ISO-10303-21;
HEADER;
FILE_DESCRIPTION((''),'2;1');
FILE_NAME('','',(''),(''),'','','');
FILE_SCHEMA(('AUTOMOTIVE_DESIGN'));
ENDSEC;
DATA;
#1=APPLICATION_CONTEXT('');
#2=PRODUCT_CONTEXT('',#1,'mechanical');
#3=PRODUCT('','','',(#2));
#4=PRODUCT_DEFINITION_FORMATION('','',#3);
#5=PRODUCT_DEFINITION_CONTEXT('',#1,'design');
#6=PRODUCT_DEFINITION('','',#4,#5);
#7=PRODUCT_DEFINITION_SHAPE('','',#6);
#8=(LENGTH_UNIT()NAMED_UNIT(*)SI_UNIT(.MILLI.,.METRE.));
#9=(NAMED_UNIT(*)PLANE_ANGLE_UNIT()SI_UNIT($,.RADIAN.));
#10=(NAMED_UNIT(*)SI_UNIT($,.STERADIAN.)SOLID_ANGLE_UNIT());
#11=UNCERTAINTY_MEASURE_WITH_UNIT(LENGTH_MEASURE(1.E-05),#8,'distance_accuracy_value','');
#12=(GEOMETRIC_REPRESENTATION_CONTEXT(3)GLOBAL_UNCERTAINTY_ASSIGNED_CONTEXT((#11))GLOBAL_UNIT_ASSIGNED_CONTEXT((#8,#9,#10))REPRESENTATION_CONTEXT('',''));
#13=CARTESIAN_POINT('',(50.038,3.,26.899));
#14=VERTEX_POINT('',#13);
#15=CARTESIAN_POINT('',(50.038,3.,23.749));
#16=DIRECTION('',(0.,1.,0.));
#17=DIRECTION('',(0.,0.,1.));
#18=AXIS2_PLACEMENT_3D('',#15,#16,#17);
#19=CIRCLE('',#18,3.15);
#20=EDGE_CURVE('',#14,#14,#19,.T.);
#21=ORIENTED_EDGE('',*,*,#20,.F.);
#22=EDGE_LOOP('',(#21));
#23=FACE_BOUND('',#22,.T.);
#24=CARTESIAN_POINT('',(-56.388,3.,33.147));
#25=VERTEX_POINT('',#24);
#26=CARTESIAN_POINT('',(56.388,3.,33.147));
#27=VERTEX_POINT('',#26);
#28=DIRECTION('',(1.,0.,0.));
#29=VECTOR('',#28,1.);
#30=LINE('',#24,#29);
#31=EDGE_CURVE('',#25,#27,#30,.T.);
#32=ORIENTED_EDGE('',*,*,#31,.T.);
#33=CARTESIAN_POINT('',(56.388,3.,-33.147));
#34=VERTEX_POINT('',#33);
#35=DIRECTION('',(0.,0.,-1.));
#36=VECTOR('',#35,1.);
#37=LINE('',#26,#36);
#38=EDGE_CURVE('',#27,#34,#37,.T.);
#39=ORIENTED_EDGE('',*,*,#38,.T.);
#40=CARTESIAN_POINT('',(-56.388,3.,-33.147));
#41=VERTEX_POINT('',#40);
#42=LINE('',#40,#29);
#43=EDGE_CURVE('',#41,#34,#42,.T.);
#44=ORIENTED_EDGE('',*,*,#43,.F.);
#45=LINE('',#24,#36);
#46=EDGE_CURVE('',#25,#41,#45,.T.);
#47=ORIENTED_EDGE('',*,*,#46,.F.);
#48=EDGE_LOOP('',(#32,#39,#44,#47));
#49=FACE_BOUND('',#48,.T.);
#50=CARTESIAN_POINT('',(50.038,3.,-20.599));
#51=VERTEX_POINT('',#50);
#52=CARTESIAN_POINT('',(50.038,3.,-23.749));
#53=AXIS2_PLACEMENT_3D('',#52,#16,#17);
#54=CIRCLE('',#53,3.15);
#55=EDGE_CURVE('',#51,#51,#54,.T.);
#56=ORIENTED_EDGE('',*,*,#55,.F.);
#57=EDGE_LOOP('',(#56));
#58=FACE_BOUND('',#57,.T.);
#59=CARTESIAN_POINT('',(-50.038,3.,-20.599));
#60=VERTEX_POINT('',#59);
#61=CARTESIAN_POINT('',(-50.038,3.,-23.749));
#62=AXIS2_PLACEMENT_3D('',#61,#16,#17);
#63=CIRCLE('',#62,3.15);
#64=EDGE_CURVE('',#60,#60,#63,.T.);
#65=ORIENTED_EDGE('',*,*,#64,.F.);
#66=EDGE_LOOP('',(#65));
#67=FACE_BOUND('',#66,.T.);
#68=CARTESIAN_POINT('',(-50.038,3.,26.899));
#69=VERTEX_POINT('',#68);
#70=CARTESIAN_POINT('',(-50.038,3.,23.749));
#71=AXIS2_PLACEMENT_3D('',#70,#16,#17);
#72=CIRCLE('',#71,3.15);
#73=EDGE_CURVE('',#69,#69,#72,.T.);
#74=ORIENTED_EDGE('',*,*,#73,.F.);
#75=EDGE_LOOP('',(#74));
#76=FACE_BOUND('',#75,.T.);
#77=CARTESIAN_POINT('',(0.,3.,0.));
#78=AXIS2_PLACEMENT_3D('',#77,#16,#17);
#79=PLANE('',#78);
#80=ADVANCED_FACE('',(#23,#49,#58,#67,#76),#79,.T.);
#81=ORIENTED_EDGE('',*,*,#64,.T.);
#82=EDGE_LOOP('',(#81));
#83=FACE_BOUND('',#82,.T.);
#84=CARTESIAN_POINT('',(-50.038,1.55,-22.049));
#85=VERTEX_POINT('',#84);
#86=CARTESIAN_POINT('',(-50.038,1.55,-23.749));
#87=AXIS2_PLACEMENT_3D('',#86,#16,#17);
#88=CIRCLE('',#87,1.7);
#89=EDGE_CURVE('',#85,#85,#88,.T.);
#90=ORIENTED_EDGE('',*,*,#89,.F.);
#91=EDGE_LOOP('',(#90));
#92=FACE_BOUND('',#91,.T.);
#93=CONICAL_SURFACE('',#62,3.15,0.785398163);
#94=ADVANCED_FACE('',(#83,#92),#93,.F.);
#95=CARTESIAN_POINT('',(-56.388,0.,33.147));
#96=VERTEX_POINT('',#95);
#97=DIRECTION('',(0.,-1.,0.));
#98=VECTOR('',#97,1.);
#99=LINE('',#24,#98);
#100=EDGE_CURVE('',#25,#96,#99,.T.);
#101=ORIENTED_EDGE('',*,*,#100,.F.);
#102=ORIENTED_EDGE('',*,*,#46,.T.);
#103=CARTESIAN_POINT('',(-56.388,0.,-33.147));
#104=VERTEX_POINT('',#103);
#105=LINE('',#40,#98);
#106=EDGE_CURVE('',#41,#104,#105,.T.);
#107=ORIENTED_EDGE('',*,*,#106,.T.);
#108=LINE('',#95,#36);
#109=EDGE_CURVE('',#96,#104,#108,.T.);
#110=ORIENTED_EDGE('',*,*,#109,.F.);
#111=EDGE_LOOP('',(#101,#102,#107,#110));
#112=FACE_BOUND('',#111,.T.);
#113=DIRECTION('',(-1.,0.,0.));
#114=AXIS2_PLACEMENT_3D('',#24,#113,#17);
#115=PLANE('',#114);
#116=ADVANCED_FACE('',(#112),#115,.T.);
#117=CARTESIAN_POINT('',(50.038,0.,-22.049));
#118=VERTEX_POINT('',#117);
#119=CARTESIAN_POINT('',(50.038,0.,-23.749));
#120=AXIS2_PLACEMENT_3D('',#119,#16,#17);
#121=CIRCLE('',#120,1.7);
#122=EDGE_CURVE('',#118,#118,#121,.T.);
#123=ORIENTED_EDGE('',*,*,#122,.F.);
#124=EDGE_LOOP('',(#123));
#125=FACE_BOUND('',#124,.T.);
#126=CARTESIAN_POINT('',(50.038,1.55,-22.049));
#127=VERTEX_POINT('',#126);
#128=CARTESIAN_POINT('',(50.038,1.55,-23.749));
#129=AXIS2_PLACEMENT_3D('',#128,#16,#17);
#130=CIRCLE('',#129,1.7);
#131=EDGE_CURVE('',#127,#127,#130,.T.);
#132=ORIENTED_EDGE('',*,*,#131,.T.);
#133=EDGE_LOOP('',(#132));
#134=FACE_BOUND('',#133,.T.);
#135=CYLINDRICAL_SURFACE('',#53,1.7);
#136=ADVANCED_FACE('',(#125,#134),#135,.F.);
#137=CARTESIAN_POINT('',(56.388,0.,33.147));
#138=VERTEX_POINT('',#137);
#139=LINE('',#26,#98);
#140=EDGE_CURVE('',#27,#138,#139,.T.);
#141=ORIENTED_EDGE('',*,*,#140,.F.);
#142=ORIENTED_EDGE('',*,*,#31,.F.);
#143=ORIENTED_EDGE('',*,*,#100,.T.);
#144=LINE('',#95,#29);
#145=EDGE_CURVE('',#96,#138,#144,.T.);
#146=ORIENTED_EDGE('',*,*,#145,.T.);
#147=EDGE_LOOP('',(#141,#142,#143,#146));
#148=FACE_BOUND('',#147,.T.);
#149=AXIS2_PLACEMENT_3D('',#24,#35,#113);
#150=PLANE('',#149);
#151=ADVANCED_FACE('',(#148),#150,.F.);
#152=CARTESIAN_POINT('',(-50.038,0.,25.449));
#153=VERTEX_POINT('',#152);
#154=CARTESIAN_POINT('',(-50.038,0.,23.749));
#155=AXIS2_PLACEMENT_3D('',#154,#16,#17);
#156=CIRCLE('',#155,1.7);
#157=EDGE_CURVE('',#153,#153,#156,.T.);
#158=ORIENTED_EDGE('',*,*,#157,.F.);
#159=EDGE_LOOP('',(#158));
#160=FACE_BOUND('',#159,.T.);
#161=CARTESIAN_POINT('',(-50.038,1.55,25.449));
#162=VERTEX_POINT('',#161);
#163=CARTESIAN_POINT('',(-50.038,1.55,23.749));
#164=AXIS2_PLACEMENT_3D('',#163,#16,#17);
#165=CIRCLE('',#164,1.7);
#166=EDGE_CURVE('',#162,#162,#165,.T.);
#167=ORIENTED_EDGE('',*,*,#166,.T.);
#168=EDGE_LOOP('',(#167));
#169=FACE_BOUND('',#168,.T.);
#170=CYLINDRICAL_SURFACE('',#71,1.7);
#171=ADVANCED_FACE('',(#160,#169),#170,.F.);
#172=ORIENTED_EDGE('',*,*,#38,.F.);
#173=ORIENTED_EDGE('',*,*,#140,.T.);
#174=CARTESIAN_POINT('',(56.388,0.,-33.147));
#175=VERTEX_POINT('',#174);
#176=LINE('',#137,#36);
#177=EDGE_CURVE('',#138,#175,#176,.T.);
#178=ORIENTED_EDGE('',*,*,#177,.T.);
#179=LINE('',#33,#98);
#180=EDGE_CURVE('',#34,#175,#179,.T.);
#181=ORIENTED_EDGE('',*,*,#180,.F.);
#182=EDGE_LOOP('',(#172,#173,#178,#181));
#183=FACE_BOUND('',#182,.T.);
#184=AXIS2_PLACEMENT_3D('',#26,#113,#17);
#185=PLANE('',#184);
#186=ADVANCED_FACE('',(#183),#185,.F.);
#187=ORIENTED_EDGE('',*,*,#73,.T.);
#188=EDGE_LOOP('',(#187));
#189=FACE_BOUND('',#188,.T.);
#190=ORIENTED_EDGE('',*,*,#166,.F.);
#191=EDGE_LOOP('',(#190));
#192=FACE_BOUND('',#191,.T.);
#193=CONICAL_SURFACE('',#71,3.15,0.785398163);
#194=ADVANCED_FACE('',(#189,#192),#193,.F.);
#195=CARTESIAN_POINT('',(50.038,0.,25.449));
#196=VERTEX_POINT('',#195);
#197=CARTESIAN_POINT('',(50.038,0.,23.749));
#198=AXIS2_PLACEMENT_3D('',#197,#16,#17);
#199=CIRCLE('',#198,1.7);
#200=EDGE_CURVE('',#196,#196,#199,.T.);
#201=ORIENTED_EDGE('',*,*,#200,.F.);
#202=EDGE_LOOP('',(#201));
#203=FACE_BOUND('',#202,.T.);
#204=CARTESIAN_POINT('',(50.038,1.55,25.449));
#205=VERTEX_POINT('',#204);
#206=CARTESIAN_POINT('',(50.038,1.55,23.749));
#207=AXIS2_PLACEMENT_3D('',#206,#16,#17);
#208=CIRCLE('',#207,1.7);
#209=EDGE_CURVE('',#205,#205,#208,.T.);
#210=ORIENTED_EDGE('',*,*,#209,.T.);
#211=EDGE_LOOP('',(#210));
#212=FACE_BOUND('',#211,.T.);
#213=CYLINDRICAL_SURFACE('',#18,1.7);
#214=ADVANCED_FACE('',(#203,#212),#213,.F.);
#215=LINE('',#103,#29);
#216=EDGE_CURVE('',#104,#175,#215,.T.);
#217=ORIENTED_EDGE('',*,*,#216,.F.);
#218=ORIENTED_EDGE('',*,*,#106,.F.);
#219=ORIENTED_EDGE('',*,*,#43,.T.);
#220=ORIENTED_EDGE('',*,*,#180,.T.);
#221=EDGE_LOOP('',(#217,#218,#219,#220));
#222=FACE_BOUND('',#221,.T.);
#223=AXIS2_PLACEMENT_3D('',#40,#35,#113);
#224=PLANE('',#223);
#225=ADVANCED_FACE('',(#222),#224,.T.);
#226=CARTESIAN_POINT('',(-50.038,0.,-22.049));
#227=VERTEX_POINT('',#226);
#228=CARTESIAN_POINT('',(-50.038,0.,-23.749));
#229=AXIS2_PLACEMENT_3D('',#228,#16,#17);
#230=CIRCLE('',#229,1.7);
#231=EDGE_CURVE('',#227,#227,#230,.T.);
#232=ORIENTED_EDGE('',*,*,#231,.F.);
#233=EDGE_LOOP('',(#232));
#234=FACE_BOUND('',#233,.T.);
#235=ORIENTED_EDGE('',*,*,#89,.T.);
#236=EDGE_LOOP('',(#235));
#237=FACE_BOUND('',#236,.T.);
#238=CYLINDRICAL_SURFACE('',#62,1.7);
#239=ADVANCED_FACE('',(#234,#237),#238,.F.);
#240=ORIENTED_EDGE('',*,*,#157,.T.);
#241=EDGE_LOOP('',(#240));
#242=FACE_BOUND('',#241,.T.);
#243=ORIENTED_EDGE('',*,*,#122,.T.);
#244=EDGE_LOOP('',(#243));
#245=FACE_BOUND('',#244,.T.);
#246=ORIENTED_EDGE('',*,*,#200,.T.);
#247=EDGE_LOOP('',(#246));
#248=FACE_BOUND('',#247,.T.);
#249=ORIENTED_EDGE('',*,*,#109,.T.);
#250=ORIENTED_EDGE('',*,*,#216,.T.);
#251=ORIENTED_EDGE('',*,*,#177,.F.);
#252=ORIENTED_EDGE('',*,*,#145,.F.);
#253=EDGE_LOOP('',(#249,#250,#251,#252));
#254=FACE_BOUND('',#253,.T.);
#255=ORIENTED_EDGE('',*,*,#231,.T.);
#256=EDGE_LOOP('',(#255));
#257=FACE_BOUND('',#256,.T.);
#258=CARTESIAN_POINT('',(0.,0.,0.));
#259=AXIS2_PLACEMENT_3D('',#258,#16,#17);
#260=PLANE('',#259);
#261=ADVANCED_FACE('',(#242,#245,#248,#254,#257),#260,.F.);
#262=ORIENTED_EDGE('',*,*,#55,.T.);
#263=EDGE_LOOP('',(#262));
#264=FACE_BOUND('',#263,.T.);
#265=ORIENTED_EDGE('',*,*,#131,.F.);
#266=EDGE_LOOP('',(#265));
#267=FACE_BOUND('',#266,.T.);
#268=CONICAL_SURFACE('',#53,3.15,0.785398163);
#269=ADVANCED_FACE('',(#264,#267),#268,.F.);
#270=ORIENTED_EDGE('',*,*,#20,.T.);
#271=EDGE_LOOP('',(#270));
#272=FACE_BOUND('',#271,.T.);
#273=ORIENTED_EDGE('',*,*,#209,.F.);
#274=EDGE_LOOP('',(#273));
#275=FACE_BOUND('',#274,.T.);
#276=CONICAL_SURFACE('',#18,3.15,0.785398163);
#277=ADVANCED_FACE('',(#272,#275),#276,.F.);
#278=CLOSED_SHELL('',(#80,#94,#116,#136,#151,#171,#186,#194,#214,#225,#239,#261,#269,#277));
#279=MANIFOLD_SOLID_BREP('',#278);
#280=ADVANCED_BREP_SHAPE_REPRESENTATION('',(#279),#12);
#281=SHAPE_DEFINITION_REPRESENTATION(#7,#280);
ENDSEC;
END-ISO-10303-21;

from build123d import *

# Parameters (mm, degrees)
SKETCH1_W                                    = 112.776
SKETCH1_H                                    = 66.294
BOSS_EXTRUDE1_DEPTH                          = 3
CSK_FOR_M3_COUNTERSUNK_FLAT_HEAD_SCR_2_COUNT = 2
CSK_FOR_M3_COUNTERSUNK_FLAT_HEAD_SCR_2_PITCH = 47.498
CSK_FOR_M3_COUNTERSUNK_FLAT_HEAD_SCR_3_COUNT = 2
CSK_FOR_M3_COUNTERSUNK_FLAT_HEAD_SCR_3_PITCH = 110.77574545
CSK_FOR_M3_COUNTERSUNK_FLAT_HEAD_SCR_4_COUNT = 2
CSK_FOR_M3_COUNTERSUNK_FLAT_HEAD_SCR_4_PITCH = 100.076


with BuildPart() as part:
    # Sketch1 → Boss-Extrude1 (new body)
    with BuildSketch(Plane(origin=(0, 0, 0), x_dir=(1, 0, 0), z_dir=(0, 1, 0))):
        Rectangle(SKETCH1_W, SKETCH1_H)
    extrude(amount=BOSS_EXTRUDE1_DEPTH)

    # Sketch3 → CSK for M3 Countersunk Flat Head Screw1 (revolve, cut)
    with BuildSketch(Plane(origin=(-50.038, 3, -23.749), x_dir=(0, 0, 1), z_dir=(1, 0, 0))):
        Polygon((0, 0), (0, 3), (1.7, 3), (1.7, 1.45), (3.15, 0), align=None)
    csk_for_m3_countersunk_flat_head_screw1 = revolve(axis=Axis((-50.038, 9.35, -23.749), (0, -1, 0)), mode=Mode.SUBTRACT)

    # CSK for M3 Countersunk Flat Head Scr 2: CSK for M3 Countersunk Flat Head Screw1 ×2
    with Locations(*[(0, 0, i * CSK_FOR_M3_COUNTERSUNK_FLAT_HEAD_SCR_2_PITCH) for i in range(1, CSK_FOR_M3_COUNTERSUNK_FLAT_HEAD_SCR_2_COUNT)]):
        add(csk_for_m3_countersunk_flat_head_screw1, mode=Mode.SUBTRACT)

    # CSK for M3 Countersunk Flat Head Scr 3: CSK for M3 Countersunk Flat Head Screw1 ×2
    with Locations(*[Vector(0.903410756510626, 0, 0.42877617123727685) * (i * CSK_FOR_M3_COUNTERSUNK_FLAT_HEAD_SCR_3_PITCH) for i in range(1, CSK_FOR_M3_COUNTERSUNK_FLAT_HEAD_SCR_3_COUNT)]):
        add(csk_for_m3_countersunk_flat_head_screw1, mode=Mode.SUBTRACT)

    # CSK for M3 Countersunk Flat Head Scr 4: CSK for M3 Countersunk Flat Head Screw1 ×2
    with Locations(*[(i * CSK_FOR_M3_COUNTERSUNK_FLAT_HEAD_SCR_4_PITCH, 0, 0) for i in range(1, CSK_FOR_M3_COUNTERSUNK_FLAT_HEAD_SCR_4_COUNT)]):
        add(csk_for_m3_countersunk_flat_head_screw1, mode=Mode.SUBTRACT)


solid = part.part
